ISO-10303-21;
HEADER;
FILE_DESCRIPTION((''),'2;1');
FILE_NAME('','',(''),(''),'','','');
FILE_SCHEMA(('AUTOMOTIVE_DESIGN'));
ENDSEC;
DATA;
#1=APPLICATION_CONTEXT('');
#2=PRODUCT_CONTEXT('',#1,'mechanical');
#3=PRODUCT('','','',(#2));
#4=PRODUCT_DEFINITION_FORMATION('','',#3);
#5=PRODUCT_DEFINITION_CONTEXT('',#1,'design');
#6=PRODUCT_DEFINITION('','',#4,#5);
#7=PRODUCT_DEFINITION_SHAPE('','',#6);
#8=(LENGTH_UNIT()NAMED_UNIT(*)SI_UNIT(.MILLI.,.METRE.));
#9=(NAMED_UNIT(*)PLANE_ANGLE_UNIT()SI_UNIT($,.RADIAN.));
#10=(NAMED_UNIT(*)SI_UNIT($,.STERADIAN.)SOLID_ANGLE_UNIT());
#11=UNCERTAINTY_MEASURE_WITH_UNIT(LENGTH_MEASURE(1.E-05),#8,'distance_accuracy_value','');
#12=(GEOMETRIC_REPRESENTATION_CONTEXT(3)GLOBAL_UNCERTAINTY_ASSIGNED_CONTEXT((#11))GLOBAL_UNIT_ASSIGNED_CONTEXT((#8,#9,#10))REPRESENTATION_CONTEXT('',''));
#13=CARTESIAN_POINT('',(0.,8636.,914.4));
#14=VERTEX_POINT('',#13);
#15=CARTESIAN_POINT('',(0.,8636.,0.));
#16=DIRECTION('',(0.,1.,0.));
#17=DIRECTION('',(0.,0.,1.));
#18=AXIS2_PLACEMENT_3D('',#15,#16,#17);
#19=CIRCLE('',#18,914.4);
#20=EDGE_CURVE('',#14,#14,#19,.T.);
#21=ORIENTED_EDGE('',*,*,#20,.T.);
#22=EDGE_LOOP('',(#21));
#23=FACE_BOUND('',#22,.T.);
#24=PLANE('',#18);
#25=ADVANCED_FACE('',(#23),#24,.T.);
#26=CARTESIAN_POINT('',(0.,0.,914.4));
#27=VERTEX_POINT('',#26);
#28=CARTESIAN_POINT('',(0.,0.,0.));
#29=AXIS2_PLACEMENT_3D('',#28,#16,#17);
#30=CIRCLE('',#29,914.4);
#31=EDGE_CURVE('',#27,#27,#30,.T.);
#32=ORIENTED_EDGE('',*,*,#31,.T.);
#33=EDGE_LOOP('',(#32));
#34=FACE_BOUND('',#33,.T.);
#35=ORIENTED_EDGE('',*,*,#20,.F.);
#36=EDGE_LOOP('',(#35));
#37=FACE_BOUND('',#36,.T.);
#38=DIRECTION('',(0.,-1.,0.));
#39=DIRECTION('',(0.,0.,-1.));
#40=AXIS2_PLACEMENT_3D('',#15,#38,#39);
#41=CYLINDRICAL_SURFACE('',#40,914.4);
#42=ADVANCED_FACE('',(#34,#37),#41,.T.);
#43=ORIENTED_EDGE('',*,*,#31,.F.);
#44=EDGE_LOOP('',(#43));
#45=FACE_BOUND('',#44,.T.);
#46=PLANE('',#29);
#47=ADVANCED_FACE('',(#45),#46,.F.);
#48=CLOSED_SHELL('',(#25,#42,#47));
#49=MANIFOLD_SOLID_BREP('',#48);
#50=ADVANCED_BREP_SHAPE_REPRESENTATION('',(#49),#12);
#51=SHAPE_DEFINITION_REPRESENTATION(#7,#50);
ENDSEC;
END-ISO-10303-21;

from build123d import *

# Parameters (mm, degrees)
SKETCH1_R           = 914.4
BOSS_EXTRUDE1_DEPTH = 8636


with BuildPart() as part:
    # Sketch1 → Boss-Extrude1 (new body)
    with BuildSketch(Plane(origin=(0, 0, 0), x_dir=(1, 0, 0), z_dir=(0, 1, 0))):
        Circle(SKETCH1_R)
    extrude(amount=BOSS_EXTRUDE1_DEPTH)


solid = part.part
